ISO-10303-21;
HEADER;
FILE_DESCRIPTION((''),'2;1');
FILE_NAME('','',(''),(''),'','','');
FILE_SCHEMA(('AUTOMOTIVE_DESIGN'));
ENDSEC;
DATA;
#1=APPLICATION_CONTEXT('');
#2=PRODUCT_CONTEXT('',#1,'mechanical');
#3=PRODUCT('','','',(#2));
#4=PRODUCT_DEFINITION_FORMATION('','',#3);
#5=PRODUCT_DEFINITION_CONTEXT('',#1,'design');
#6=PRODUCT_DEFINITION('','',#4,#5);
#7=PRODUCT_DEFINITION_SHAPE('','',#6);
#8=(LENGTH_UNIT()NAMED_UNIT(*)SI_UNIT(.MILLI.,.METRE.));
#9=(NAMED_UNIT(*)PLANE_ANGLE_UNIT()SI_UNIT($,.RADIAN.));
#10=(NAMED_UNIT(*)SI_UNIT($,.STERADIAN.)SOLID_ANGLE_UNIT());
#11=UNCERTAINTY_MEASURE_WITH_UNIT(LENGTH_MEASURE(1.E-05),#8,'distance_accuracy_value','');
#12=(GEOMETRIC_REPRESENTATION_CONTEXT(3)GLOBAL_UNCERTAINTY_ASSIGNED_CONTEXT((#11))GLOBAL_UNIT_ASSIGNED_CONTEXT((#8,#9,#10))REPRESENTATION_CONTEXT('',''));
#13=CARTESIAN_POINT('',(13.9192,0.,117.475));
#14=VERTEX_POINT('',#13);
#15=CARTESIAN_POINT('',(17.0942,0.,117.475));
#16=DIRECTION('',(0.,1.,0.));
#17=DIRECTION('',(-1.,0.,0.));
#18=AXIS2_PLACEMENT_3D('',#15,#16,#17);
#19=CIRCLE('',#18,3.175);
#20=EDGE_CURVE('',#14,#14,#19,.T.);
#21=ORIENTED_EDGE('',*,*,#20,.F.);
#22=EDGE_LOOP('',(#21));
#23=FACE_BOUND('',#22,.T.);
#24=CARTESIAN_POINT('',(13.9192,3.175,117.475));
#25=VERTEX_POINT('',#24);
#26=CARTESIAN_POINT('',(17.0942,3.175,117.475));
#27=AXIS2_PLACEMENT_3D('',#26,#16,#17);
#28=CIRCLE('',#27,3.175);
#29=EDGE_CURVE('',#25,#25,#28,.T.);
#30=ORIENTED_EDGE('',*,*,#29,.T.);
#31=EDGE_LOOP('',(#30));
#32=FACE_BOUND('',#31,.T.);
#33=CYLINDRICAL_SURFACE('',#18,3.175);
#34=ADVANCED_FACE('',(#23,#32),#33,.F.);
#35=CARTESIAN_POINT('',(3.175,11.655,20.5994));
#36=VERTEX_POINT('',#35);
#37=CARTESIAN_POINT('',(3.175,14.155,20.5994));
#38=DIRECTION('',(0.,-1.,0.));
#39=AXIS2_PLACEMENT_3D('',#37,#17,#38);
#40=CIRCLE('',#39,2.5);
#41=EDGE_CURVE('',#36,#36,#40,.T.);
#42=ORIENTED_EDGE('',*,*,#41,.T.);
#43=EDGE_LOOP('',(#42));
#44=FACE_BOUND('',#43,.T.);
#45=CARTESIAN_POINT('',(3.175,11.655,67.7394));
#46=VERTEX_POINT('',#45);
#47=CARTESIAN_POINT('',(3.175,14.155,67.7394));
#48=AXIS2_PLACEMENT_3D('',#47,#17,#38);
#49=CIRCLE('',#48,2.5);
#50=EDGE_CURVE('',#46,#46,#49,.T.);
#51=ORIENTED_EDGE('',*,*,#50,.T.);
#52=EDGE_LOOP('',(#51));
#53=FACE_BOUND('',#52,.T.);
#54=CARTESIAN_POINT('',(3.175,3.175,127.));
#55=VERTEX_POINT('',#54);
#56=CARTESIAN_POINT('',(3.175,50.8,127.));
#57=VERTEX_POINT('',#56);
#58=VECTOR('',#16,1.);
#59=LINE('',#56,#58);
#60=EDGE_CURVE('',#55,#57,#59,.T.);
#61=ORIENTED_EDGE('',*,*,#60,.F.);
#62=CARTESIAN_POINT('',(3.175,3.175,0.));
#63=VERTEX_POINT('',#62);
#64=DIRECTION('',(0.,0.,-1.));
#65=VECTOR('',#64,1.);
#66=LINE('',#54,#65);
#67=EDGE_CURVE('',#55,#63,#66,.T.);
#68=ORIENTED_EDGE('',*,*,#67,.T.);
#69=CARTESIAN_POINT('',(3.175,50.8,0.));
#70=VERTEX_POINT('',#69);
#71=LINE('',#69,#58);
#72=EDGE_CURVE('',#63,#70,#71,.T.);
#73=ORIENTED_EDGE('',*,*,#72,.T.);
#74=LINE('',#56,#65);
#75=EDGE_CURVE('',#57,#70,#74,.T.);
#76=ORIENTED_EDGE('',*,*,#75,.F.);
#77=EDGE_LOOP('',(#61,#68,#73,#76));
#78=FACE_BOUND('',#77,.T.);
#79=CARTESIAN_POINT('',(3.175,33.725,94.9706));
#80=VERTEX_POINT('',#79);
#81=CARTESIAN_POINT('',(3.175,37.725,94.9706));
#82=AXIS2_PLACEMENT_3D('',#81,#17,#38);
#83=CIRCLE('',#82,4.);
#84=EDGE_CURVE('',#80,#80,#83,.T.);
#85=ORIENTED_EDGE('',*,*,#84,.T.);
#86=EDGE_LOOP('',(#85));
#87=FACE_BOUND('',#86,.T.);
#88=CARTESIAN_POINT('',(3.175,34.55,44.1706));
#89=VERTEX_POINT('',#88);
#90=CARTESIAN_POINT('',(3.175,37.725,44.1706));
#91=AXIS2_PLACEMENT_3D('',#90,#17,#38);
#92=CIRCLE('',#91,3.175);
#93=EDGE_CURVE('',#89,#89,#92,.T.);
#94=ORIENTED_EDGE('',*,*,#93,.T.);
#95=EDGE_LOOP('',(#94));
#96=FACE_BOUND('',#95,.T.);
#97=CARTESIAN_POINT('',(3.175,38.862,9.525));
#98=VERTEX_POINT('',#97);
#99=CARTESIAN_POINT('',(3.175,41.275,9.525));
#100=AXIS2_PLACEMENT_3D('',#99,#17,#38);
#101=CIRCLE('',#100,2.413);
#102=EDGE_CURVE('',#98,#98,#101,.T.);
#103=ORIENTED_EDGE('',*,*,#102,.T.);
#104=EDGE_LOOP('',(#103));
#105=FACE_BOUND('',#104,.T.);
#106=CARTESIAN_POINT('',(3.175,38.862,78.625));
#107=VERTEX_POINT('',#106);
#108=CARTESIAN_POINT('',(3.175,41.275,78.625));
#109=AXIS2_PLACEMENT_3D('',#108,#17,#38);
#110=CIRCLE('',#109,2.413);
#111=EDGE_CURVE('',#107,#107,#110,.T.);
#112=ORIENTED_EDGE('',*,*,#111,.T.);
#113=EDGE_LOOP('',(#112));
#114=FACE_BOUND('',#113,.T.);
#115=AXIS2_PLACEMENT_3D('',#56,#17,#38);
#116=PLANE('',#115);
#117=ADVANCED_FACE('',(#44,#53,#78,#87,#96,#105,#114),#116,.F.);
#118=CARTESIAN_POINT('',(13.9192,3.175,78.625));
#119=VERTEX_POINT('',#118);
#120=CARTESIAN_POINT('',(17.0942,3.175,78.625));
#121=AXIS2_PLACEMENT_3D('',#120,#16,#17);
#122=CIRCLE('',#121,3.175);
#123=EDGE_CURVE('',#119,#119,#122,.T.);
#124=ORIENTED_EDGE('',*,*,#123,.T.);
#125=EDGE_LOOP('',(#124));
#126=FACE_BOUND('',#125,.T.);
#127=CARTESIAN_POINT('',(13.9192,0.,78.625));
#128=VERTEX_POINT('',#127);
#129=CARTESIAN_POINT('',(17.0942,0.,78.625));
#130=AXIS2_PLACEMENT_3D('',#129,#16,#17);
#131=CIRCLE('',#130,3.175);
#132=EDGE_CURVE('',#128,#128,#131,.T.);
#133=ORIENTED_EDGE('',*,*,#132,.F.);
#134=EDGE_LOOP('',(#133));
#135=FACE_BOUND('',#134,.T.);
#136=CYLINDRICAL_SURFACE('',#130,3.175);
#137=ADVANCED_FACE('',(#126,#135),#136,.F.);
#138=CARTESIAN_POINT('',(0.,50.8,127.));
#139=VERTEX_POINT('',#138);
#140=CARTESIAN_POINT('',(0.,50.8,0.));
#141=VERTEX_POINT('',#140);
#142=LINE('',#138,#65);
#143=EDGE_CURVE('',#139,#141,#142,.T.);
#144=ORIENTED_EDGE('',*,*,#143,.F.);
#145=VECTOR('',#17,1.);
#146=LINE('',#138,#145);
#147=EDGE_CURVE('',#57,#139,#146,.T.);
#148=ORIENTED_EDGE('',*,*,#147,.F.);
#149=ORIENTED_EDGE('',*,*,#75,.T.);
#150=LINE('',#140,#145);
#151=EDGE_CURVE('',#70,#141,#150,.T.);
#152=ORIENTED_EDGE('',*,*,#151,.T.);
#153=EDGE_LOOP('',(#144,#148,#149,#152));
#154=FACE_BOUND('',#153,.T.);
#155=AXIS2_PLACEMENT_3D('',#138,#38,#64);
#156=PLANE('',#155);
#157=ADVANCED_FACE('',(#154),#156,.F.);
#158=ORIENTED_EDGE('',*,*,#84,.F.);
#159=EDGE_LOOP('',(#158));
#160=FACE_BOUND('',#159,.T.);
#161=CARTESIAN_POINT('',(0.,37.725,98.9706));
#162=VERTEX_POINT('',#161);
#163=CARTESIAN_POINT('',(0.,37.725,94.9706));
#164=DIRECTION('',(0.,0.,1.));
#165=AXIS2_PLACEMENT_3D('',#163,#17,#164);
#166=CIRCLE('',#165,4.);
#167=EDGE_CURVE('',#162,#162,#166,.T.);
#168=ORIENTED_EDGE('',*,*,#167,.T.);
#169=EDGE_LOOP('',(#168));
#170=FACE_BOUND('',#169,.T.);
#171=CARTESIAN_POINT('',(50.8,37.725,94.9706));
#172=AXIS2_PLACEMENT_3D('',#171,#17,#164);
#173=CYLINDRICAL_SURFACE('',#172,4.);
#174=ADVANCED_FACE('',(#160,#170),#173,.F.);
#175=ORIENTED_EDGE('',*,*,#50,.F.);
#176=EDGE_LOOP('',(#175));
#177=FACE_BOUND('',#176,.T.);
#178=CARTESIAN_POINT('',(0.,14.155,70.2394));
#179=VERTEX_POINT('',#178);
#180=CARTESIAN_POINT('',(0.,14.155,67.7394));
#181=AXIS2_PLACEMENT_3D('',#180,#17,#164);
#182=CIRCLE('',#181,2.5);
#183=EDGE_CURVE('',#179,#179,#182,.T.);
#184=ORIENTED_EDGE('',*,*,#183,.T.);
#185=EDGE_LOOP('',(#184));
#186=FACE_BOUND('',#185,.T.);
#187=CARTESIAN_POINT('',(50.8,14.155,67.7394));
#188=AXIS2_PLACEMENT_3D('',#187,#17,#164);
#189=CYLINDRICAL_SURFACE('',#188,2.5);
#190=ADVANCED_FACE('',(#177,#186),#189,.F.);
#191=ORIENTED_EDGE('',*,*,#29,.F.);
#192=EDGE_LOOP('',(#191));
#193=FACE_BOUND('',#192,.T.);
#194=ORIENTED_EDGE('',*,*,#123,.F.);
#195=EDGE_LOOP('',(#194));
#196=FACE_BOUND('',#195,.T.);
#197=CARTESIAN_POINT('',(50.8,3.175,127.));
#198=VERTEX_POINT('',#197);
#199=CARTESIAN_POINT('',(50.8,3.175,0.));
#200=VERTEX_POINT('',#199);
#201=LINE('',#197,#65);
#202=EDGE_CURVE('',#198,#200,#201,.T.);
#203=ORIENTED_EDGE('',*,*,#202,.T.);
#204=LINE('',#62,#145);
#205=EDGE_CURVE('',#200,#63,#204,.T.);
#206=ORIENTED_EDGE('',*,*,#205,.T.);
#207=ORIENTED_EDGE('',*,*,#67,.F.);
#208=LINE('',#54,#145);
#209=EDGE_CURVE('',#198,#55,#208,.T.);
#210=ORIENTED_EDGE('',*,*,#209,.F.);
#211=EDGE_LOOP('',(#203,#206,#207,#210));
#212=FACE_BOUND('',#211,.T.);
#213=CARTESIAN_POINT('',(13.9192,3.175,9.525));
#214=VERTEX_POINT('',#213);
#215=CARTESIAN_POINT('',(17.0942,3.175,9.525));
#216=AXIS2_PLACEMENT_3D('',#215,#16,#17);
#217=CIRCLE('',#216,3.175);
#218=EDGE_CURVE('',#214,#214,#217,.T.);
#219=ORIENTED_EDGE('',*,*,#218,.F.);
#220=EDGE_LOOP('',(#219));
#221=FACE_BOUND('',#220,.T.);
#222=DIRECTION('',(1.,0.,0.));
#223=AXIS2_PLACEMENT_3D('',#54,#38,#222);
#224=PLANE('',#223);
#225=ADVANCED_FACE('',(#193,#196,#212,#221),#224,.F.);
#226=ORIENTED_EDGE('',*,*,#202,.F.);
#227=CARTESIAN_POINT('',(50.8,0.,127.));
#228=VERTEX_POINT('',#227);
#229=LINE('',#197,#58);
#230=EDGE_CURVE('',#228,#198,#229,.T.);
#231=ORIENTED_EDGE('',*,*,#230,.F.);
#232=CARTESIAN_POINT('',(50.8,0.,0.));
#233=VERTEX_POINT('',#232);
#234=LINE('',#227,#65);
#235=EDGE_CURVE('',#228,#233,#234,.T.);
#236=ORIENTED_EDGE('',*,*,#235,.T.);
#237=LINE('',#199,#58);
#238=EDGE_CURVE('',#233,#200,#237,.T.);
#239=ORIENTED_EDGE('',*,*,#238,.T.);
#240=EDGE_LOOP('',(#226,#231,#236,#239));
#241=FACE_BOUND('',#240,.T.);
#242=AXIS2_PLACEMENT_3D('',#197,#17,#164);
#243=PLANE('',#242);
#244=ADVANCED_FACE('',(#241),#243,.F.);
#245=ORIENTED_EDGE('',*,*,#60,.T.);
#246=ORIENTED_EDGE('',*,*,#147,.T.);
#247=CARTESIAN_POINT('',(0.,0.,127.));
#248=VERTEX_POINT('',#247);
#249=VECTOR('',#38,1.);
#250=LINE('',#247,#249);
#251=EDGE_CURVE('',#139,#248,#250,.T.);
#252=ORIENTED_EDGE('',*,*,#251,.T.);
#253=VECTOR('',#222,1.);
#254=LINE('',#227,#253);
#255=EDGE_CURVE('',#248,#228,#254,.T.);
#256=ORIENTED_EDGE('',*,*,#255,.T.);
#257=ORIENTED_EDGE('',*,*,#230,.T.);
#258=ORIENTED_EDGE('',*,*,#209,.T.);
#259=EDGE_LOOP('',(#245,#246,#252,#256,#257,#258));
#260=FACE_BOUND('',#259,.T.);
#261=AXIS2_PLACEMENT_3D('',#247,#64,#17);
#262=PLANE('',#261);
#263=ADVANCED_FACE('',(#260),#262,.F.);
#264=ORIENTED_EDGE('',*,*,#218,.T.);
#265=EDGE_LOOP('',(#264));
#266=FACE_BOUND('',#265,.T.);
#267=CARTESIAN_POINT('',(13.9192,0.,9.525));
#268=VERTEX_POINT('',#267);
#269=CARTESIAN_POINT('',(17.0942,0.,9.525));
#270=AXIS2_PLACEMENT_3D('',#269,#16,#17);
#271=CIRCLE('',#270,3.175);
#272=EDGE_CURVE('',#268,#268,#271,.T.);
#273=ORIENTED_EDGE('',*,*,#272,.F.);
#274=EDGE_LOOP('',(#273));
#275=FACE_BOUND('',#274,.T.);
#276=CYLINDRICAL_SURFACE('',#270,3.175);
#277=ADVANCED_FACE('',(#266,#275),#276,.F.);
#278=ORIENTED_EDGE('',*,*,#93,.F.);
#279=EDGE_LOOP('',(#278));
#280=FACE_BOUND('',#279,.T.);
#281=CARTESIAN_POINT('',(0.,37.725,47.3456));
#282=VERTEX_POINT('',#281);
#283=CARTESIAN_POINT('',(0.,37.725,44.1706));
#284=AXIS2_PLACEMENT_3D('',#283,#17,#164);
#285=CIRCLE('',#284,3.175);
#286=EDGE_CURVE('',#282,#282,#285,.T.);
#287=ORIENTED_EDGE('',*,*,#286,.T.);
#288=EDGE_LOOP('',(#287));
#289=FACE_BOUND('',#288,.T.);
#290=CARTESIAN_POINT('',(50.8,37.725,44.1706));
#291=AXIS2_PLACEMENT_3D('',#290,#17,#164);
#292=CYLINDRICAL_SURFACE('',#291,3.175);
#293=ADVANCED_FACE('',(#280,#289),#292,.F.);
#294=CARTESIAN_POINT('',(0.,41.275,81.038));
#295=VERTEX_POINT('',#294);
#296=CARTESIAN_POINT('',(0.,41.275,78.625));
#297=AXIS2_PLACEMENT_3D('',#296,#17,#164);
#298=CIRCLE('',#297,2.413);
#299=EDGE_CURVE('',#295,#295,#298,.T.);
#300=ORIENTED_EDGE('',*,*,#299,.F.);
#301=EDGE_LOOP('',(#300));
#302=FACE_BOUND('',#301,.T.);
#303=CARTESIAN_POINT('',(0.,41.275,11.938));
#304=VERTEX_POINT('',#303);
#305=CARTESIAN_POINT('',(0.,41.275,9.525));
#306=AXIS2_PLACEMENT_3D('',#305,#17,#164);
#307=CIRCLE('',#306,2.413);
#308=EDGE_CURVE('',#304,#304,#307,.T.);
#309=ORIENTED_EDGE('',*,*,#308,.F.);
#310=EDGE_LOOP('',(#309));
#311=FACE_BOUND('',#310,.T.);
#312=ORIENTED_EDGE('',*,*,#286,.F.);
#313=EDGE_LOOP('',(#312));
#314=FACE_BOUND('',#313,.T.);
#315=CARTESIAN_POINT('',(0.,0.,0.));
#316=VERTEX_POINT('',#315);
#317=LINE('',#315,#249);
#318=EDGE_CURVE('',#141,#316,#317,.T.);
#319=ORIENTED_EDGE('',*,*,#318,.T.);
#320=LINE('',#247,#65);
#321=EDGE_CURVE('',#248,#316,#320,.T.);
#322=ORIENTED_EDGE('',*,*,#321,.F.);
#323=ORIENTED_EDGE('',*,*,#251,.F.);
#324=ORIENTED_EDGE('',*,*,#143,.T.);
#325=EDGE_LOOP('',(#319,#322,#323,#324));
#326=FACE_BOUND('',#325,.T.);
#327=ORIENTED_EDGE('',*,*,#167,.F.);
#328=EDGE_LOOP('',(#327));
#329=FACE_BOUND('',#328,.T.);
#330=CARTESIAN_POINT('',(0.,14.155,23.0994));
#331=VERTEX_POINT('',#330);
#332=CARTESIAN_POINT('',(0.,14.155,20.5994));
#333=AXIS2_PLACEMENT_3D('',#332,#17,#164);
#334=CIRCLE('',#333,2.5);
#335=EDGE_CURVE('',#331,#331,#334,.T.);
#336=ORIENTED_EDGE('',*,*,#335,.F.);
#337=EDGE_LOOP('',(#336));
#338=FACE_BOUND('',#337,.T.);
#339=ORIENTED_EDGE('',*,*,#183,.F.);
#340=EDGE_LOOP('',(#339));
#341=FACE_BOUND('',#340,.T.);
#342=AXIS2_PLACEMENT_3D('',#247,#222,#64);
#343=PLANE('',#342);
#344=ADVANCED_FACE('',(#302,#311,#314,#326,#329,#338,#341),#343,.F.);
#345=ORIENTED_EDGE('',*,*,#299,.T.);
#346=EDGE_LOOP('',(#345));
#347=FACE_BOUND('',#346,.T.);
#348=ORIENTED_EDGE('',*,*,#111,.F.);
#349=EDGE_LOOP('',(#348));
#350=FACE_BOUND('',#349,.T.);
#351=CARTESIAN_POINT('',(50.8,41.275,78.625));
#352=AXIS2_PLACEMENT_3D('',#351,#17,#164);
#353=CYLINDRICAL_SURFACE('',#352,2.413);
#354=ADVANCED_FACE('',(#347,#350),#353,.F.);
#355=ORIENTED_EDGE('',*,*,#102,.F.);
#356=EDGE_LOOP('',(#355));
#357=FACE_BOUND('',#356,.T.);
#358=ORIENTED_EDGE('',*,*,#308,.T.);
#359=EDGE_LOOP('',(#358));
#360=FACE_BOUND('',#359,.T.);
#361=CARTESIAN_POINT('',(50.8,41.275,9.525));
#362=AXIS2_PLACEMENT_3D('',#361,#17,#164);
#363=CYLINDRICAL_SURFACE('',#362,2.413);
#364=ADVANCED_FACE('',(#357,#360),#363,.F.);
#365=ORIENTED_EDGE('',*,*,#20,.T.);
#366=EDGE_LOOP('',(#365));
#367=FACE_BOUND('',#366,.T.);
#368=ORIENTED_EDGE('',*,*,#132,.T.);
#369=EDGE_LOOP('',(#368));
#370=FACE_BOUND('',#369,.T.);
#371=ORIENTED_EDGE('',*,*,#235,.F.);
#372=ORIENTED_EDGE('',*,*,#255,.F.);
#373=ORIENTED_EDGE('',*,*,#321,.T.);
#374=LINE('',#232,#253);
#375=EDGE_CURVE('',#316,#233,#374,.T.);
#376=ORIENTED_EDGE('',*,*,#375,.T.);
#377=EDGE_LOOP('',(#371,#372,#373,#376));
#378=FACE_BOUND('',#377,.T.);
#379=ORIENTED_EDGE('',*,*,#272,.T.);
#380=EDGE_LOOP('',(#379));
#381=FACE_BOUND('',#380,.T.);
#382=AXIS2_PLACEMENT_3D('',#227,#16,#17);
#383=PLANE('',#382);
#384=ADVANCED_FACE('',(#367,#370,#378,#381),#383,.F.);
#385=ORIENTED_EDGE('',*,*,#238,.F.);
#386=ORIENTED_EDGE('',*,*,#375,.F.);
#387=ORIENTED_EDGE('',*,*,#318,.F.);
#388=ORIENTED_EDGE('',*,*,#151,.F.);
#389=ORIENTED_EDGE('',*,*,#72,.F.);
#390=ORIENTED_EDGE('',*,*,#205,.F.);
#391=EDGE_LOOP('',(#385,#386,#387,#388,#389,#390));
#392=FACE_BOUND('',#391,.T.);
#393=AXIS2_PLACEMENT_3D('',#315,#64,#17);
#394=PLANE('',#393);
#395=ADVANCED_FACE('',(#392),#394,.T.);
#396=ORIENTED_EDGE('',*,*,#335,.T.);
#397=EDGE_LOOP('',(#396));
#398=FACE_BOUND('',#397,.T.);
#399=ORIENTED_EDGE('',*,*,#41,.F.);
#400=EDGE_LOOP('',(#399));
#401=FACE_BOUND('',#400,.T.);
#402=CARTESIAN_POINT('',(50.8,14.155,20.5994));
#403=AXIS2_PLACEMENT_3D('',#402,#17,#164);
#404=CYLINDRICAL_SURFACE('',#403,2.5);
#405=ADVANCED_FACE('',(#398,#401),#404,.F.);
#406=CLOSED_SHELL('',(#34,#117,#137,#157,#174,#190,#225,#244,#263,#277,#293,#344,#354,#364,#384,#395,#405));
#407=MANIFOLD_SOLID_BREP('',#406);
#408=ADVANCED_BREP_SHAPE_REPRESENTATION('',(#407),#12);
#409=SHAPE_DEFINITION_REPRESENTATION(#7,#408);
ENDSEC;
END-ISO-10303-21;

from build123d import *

# Parameters (mm, degrees)
BOSS_EXTRUDE1_DEPTH = 127
SKETCH3_R           = 3.175
CUT_EXTRUDE1_DEPTH  = 145.837083045
SKETCH4_R           = 2.5
SKETCH4_R_2         = 2.413
SKETCH4_R_3         = 3.175
SKETCH4_R_4         = 4
CUT_EXTRUDE2_DEPTH  = 146.911891222


with BuildPart() as part:
    # Sketch2 → Boss-Extrude1 (new body)
    with BuildSketch(Plane.XY):
        Polygon((0, 0), (0, 50.8), (3.175, 50.8), (3.175, 3.175), (50.8, 3.175), (50.8, 0), align=None)
    extrude(amount=BOSS_EXTRUDE1_DEPTH)

    # Sketch3 → Cut-Extrude1 (cut, through all)
    with BuildSketch(Plane(origin=(0, 3.175, 0), x_dir=(1, 0, 0), z_dir=(0, 1, 0))):
        with Locations(Location((17.0942, -9.525, 0), (0, 0, 180))):
            Circle(SKETCH3_R)
        with Locations(Location((17.0942, -78.624999976, 0), (0, 0, 180))):
            Circle(SKETCH3_R)
        with Locations(Location((17.0942, -117.475, 0), (0, 0, 180))):
            Circle(SKETCH3_R)
    extrude(amount=-CUT_EXTRUDE1_DEPTH, mode=Mode.SUBTRACT)

    # Sketch4 → Cut-Extrude2 (cut, through all)
    with BuildSketch(Plane.ZY):
        with Locations((20.5994, 14.155)):
            Circle(SKETCH4_R)
        with Locations((9.525, 41.275)):
            Circle(SKETCH4_R_2)
        with Locations((67.7394, 14.155)):
            Circle(SKETCH4_R)
        with Locations((78.625, 41.275)):
            Circle(SKETCH4_R_2)
        with Locations((44.1706, 37.725)):
            Circle(SKETCH4_R_3)
        with Locations((94.9706, 37.725)):
            Circle(SKETCH4_R_4)
    extrude(amount=-CUT_EXTRUDE2_DEPTH, mode=Mode.SUBTRACT)


solid = part.part
